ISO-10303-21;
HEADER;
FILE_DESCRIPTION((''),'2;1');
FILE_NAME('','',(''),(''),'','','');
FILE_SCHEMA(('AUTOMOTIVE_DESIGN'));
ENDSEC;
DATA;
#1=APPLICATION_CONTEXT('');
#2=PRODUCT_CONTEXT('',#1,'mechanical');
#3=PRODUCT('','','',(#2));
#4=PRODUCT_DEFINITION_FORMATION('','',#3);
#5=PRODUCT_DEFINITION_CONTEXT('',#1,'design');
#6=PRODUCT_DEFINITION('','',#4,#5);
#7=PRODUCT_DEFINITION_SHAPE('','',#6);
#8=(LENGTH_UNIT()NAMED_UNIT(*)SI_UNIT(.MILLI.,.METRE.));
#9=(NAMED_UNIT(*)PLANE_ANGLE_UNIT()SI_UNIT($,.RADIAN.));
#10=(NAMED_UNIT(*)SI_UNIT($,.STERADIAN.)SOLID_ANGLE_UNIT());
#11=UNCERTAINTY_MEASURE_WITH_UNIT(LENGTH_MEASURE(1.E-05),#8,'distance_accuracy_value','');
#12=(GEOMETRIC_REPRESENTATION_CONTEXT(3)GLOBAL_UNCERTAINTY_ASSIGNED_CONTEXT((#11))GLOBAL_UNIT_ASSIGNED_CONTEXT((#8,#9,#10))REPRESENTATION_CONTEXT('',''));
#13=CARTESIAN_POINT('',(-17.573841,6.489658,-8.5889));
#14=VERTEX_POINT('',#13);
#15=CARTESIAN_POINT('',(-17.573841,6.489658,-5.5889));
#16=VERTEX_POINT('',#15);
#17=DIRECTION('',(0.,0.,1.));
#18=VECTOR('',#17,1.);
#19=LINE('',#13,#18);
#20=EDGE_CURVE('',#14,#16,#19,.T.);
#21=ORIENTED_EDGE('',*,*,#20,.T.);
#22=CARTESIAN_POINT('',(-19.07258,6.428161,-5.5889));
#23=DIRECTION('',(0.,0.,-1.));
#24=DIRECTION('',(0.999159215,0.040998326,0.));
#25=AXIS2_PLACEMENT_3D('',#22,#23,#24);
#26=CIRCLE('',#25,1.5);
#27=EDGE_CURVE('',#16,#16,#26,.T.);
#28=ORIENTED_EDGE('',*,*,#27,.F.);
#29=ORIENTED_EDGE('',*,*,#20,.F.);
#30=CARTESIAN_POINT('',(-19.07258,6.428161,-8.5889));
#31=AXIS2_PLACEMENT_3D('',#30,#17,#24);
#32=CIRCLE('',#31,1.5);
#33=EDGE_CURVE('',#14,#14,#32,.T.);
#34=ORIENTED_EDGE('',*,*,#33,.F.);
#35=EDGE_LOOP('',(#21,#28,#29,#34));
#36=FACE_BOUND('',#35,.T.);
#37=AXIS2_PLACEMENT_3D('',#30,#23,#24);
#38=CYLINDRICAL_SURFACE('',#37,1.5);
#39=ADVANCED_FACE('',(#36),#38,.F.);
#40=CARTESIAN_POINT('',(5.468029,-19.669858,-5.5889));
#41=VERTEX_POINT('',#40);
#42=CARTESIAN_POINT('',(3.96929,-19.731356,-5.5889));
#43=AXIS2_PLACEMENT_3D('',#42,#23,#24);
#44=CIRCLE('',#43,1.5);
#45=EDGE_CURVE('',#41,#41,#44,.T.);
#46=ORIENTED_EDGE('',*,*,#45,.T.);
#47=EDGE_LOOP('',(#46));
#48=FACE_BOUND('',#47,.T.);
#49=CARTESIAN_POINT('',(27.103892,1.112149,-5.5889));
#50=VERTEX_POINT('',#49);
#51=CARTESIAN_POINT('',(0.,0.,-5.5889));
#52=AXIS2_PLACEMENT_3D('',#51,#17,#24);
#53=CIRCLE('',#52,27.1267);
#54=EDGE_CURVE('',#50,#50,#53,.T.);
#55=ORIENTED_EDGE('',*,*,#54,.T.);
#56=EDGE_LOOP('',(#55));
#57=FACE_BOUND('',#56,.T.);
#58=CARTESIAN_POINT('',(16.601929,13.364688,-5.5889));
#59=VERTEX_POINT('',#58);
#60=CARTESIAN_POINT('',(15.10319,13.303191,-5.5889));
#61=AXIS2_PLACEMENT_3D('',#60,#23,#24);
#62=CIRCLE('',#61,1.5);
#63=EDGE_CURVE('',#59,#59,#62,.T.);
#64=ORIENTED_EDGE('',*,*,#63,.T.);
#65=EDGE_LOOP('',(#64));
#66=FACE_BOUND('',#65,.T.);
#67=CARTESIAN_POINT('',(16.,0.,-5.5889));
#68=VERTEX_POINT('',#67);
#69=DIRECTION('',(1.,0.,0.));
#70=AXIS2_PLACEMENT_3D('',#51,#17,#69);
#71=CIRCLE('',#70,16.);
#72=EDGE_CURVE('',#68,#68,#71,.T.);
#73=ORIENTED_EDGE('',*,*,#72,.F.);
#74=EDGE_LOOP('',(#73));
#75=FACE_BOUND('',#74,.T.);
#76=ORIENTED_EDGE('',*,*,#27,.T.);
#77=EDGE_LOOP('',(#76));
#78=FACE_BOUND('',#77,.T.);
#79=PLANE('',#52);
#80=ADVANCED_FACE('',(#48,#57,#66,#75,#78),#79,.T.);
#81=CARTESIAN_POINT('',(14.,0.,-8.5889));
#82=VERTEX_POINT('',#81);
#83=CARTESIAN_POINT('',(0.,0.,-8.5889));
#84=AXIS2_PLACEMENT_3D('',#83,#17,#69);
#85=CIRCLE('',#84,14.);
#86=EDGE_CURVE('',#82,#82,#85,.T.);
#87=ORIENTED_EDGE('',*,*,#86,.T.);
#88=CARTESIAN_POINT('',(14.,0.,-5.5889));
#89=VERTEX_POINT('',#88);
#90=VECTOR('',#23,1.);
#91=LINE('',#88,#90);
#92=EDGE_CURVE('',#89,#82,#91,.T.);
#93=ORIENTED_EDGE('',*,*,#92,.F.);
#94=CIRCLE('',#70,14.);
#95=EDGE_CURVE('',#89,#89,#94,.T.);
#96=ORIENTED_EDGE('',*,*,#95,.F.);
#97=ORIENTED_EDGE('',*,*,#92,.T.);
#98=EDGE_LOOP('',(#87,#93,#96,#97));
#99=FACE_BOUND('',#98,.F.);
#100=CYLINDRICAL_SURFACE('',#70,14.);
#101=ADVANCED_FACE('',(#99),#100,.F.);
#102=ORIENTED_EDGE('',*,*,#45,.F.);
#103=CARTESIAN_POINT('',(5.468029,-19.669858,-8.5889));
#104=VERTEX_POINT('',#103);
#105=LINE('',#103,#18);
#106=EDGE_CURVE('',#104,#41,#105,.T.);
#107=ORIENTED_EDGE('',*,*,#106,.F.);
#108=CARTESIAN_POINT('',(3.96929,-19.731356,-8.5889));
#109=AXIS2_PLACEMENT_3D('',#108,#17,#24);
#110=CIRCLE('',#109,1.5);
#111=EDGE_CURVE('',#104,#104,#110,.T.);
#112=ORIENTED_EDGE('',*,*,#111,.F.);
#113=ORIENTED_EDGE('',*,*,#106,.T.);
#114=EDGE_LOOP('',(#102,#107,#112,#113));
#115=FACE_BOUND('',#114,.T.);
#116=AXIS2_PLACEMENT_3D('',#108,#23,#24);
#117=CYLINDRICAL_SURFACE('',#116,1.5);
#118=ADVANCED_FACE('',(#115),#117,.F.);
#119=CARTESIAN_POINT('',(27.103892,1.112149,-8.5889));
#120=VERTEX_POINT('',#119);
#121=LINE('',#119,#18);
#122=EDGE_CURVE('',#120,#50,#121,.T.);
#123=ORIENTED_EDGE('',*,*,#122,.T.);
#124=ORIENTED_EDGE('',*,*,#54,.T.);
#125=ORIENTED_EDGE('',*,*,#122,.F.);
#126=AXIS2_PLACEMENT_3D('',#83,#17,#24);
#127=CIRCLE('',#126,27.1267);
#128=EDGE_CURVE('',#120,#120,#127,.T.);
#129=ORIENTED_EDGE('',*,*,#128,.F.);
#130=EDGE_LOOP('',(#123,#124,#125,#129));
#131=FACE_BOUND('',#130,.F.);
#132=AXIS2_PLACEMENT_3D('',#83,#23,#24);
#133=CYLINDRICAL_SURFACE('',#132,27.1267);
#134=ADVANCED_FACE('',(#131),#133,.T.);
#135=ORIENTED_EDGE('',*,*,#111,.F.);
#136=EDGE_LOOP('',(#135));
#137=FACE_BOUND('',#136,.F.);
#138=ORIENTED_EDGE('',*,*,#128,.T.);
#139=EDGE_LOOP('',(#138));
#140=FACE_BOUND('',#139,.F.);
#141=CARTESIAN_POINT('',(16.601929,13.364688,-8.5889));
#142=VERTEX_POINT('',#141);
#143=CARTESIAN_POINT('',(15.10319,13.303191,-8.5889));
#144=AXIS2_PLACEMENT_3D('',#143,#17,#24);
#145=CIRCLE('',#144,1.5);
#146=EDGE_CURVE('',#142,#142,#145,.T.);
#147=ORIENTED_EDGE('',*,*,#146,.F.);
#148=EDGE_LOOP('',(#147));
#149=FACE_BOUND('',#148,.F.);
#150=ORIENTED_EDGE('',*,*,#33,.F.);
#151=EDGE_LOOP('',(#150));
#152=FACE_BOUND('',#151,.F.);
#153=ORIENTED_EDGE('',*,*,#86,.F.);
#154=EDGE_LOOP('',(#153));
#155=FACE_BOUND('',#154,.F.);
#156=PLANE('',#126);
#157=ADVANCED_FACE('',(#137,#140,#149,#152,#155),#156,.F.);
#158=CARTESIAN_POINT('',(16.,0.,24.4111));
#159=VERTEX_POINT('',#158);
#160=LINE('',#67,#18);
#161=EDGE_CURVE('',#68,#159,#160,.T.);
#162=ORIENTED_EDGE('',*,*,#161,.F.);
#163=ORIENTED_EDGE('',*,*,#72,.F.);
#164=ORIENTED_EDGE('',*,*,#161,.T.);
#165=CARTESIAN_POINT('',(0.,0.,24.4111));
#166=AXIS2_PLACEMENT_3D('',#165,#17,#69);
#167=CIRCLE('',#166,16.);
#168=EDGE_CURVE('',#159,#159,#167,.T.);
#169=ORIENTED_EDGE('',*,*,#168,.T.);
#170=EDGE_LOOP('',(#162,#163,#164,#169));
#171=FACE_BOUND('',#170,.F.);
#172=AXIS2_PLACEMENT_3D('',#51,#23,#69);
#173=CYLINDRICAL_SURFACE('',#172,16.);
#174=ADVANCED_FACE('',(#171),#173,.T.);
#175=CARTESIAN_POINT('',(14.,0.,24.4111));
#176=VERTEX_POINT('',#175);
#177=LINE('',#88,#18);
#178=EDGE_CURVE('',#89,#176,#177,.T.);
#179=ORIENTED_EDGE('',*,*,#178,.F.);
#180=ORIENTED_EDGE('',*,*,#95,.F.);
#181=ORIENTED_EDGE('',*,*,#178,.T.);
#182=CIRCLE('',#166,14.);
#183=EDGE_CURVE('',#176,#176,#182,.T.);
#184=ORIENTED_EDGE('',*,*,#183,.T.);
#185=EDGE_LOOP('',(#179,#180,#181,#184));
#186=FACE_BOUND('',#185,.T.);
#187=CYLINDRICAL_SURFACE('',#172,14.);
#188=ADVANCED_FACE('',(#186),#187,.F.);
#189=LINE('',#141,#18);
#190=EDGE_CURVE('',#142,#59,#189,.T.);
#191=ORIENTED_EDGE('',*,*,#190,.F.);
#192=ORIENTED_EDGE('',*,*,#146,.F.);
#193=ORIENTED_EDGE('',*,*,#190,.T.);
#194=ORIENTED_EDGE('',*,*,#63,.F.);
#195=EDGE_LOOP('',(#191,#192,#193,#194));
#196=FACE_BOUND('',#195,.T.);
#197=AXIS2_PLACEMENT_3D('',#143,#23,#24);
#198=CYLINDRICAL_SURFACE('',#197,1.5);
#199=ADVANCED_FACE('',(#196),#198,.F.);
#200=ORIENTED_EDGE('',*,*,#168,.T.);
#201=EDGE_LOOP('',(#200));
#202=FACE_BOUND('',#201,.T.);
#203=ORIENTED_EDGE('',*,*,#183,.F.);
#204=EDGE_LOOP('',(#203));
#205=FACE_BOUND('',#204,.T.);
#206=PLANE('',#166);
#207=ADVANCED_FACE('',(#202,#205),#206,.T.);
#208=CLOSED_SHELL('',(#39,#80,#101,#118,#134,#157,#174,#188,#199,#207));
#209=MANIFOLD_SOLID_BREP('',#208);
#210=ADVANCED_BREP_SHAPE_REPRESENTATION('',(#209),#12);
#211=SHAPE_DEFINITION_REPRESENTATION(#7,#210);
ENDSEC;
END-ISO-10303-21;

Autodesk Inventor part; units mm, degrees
ref_plane "YZ Plane" through (0, 0, 0) normal (1, 0, 0) x (0, 1, 0)
ref_plane "XZ Plane" through (0, 0, 0) normal (0, 1, 0) x (-1, 0, 0)
ref_plane "XY Plane" through (0, 0, 0) normal (0, 0, 1) x (1, 0, 0)
sketch "Sketch9" plane through (0, 0, -8.5889) normal (0, 0, 1) x (0.9992, 0.041, 0)
  circle A0 centre (0, 0) radius 27.1267
  circle A1 centre (0, 0) radius 20.1267
  circle A2 centre (-18.793, 7.2047) radius 1.5
  circle A3 centre (3.157, -19.8775) radius 1.5
  circle A4 centre (-7.3961, 16.9572) radius 3
  circle A5 centre (-7.3961, 16.9572) radius 3
  circle A6 centre (15.6359, 12.6728) radius 1.5
  dimension "d13" = 40.2533
  dimension "d14" = 54.2533
extrude "Extrusion1" add sketch "Sketch9" along normal blind 3 contours A0 | A1 A3 A2 A4 A6 | A6 A1 | A1 A6 | A3 A1 | A1 A3 | A4 A1 | A1 A4 | A2 A1 | A1 A2
sketch "Sketch2" plane through (0, 0, -5.5889) normal (0, 0, 1) x (1, 0, 0)
  circle A0 centre (0, 0) radius 16
  circle A1 centre (0, 0) radius 14
  dimension "d3" = 32
  dimension "d6" = 2
extrude "Extrusion3" add sketch "Sketch2" along normal blind 30
extrude "Extrusion4" cut sketch "Sketch2" against normal through all contours A1
extrude "Extrusion5" cut sketch "Sketch9" along normal through all contours A6 A1 | A1 A6 | A3 A1 | A1 A3 | A2 A1 | A1 A2
properties part number "SzenzorSzuportKerek" material "PPS Plastic"
